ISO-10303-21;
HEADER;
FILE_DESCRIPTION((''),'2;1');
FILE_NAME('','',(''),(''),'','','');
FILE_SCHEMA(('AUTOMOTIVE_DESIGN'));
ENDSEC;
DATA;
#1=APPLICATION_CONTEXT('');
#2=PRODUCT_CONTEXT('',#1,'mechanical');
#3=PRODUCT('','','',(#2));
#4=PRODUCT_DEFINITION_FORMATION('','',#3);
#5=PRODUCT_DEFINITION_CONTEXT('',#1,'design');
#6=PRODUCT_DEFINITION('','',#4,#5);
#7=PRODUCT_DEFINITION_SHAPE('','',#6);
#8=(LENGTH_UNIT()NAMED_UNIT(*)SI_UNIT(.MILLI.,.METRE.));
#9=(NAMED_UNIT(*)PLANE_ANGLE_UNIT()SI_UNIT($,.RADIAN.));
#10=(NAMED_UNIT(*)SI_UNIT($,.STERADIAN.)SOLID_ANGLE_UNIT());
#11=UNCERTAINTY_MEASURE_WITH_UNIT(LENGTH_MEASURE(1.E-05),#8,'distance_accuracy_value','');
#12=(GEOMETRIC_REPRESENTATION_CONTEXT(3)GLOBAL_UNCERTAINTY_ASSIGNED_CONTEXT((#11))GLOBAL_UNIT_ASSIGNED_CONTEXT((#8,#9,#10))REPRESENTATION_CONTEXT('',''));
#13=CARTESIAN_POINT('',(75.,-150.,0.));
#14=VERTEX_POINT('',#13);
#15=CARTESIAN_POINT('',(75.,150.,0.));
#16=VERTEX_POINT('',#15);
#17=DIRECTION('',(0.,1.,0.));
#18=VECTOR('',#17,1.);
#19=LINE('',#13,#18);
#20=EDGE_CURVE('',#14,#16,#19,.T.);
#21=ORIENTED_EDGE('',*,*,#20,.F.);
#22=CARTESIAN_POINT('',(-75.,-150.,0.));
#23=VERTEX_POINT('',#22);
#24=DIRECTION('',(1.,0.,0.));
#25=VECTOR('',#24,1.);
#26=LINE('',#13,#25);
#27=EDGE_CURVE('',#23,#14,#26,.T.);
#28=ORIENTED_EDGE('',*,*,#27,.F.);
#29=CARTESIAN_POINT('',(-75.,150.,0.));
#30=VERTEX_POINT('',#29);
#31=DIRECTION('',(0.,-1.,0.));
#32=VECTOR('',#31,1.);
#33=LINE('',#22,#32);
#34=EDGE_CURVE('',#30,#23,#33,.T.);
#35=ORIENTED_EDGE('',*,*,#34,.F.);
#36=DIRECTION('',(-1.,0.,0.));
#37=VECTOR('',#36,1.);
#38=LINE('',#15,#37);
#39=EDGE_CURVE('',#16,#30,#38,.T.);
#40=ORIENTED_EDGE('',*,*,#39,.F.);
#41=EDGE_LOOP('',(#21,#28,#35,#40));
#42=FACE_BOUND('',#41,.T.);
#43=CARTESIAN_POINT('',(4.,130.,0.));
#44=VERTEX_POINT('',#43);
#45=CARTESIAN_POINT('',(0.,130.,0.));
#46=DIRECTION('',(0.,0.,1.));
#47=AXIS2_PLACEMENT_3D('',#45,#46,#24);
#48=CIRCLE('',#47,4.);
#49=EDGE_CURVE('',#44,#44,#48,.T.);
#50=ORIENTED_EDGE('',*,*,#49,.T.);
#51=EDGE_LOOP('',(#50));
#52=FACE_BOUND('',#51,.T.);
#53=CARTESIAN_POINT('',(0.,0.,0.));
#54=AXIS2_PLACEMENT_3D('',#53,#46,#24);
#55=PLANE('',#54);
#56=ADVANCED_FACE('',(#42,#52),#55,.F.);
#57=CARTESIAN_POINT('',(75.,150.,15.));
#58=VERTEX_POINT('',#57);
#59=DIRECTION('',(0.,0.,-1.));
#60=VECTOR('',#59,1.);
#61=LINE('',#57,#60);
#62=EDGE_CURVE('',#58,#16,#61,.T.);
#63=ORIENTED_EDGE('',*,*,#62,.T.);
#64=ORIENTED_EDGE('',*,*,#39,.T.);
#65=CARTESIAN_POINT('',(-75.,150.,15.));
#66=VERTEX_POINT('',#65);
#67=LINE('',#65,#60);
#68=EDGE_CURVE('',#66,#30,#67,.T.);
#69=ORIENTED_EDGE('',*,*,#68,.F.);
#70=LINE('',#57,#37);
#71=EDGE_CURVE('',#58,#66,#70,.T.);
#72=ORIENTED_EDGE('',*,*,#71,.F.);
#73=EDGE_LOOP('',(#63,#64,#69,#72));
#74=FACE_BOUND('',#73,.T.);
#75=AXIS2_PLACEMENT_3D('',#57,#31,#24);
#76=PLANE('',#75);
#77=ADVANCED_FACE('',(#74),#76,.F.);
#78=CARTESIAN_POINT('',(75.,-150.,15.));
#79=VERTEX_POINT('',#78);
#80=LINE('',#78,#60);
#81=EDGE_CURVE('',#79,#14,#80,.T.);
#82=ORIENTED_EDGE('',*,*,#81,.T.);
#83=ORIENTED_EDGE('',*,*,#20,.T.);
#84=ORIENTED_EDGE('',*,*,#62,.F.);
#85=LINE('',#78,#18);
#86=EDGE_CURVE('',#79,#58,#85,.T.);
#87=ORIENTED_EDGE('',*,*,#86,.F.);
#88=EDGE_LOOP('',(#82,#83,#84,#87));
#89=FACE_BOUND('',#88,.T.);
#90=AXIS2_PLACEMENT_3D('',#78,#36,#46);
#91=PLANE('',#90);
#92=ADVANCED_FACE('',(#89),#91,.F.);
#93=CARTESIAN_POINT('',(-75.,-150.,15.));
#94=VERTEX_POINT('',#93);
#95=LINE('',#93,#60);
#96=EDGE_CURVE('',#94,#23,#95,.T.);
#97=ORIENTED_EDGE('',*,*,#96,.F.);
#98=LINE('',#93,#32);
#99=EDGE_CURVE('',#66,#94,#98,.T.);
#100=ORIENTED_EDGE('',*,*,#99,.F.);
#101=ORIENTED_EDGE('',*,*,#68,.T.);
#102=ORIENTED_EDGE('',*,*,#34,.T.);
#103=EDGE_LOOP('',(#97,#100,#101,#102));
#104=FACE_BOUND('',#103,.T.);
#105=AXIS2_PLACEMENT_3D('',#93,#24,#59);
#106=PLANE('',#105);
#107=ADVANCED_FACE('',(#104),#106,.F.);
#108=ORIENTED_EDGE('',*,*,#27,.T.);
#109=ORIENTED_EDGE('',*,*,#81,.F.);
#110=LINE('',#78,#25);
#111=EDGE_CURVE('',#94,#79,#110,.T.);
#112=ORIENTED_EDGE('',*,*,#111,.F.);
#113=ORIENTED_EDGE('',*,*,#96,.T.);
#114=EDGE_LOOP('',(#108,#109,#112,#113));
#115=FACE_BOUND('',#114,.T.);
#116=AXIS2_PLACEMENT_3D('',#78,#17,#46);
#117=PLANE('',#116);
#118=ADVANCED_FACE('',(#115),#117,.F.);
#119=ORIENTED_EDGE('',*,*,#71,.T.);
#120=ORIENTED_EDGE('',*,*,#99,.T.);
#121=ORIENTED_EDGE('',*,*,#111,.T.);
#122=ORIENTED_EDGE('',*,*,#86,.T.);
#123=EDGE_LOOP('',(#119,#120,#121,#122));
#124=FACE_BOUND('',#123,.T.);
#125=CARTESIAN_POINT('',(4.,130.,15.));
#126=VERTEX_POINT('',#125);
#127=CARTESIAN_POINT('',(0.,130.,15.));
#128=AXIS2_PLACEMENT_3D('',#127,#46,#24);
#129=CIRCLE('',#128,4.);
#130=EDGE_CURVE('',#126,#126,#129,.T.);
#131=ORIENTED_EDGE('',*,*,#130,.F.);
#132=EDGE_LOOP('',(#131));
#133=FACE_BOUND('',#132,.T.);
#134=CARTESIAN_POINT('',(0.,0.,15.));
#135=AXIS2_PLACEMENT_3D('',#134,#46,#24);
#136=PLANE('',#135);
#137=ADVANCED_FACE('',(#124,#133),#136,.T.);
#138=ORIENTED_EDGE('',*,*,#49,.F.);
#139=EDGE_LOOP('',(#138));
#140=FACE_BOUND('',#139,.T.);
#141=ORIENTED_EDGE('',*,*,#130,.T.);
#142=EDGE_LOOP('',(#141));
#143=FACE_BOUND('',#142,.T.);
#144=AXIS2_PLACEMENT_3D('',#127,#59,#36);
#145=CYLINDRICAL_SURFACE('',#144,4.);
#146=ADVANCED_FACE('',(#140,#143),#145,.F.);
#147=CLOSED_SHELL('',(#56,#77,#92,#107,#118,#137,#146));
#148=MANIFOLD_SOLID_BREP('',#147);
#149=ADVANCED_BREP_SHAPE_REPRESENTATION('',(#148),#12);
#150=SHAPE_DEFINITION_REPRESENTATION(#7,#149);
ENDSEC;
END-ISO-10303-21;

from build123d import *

# Parameters (mm, degrees)
SKETCH1_W           = 150
SKETCH1_H           = 300
SKETCH1_R           = 4
BOSS_EXTRUDE1_DEPTH = 15


with BuildPart() as part:
    # Sketch1 → Boss-Extrude1 (new body)
    with BuildSketch(Plane.XY):
        Rectangle(SKETCH1_W, SKETCH1_H)
        with Locations((0, 130)):
            Circle(SKETCH1_R, mode=Mode.SUBTRACT)
    extrude(amount=BOSS_EXTRUDE1_DEPTH)


solid = part.part
